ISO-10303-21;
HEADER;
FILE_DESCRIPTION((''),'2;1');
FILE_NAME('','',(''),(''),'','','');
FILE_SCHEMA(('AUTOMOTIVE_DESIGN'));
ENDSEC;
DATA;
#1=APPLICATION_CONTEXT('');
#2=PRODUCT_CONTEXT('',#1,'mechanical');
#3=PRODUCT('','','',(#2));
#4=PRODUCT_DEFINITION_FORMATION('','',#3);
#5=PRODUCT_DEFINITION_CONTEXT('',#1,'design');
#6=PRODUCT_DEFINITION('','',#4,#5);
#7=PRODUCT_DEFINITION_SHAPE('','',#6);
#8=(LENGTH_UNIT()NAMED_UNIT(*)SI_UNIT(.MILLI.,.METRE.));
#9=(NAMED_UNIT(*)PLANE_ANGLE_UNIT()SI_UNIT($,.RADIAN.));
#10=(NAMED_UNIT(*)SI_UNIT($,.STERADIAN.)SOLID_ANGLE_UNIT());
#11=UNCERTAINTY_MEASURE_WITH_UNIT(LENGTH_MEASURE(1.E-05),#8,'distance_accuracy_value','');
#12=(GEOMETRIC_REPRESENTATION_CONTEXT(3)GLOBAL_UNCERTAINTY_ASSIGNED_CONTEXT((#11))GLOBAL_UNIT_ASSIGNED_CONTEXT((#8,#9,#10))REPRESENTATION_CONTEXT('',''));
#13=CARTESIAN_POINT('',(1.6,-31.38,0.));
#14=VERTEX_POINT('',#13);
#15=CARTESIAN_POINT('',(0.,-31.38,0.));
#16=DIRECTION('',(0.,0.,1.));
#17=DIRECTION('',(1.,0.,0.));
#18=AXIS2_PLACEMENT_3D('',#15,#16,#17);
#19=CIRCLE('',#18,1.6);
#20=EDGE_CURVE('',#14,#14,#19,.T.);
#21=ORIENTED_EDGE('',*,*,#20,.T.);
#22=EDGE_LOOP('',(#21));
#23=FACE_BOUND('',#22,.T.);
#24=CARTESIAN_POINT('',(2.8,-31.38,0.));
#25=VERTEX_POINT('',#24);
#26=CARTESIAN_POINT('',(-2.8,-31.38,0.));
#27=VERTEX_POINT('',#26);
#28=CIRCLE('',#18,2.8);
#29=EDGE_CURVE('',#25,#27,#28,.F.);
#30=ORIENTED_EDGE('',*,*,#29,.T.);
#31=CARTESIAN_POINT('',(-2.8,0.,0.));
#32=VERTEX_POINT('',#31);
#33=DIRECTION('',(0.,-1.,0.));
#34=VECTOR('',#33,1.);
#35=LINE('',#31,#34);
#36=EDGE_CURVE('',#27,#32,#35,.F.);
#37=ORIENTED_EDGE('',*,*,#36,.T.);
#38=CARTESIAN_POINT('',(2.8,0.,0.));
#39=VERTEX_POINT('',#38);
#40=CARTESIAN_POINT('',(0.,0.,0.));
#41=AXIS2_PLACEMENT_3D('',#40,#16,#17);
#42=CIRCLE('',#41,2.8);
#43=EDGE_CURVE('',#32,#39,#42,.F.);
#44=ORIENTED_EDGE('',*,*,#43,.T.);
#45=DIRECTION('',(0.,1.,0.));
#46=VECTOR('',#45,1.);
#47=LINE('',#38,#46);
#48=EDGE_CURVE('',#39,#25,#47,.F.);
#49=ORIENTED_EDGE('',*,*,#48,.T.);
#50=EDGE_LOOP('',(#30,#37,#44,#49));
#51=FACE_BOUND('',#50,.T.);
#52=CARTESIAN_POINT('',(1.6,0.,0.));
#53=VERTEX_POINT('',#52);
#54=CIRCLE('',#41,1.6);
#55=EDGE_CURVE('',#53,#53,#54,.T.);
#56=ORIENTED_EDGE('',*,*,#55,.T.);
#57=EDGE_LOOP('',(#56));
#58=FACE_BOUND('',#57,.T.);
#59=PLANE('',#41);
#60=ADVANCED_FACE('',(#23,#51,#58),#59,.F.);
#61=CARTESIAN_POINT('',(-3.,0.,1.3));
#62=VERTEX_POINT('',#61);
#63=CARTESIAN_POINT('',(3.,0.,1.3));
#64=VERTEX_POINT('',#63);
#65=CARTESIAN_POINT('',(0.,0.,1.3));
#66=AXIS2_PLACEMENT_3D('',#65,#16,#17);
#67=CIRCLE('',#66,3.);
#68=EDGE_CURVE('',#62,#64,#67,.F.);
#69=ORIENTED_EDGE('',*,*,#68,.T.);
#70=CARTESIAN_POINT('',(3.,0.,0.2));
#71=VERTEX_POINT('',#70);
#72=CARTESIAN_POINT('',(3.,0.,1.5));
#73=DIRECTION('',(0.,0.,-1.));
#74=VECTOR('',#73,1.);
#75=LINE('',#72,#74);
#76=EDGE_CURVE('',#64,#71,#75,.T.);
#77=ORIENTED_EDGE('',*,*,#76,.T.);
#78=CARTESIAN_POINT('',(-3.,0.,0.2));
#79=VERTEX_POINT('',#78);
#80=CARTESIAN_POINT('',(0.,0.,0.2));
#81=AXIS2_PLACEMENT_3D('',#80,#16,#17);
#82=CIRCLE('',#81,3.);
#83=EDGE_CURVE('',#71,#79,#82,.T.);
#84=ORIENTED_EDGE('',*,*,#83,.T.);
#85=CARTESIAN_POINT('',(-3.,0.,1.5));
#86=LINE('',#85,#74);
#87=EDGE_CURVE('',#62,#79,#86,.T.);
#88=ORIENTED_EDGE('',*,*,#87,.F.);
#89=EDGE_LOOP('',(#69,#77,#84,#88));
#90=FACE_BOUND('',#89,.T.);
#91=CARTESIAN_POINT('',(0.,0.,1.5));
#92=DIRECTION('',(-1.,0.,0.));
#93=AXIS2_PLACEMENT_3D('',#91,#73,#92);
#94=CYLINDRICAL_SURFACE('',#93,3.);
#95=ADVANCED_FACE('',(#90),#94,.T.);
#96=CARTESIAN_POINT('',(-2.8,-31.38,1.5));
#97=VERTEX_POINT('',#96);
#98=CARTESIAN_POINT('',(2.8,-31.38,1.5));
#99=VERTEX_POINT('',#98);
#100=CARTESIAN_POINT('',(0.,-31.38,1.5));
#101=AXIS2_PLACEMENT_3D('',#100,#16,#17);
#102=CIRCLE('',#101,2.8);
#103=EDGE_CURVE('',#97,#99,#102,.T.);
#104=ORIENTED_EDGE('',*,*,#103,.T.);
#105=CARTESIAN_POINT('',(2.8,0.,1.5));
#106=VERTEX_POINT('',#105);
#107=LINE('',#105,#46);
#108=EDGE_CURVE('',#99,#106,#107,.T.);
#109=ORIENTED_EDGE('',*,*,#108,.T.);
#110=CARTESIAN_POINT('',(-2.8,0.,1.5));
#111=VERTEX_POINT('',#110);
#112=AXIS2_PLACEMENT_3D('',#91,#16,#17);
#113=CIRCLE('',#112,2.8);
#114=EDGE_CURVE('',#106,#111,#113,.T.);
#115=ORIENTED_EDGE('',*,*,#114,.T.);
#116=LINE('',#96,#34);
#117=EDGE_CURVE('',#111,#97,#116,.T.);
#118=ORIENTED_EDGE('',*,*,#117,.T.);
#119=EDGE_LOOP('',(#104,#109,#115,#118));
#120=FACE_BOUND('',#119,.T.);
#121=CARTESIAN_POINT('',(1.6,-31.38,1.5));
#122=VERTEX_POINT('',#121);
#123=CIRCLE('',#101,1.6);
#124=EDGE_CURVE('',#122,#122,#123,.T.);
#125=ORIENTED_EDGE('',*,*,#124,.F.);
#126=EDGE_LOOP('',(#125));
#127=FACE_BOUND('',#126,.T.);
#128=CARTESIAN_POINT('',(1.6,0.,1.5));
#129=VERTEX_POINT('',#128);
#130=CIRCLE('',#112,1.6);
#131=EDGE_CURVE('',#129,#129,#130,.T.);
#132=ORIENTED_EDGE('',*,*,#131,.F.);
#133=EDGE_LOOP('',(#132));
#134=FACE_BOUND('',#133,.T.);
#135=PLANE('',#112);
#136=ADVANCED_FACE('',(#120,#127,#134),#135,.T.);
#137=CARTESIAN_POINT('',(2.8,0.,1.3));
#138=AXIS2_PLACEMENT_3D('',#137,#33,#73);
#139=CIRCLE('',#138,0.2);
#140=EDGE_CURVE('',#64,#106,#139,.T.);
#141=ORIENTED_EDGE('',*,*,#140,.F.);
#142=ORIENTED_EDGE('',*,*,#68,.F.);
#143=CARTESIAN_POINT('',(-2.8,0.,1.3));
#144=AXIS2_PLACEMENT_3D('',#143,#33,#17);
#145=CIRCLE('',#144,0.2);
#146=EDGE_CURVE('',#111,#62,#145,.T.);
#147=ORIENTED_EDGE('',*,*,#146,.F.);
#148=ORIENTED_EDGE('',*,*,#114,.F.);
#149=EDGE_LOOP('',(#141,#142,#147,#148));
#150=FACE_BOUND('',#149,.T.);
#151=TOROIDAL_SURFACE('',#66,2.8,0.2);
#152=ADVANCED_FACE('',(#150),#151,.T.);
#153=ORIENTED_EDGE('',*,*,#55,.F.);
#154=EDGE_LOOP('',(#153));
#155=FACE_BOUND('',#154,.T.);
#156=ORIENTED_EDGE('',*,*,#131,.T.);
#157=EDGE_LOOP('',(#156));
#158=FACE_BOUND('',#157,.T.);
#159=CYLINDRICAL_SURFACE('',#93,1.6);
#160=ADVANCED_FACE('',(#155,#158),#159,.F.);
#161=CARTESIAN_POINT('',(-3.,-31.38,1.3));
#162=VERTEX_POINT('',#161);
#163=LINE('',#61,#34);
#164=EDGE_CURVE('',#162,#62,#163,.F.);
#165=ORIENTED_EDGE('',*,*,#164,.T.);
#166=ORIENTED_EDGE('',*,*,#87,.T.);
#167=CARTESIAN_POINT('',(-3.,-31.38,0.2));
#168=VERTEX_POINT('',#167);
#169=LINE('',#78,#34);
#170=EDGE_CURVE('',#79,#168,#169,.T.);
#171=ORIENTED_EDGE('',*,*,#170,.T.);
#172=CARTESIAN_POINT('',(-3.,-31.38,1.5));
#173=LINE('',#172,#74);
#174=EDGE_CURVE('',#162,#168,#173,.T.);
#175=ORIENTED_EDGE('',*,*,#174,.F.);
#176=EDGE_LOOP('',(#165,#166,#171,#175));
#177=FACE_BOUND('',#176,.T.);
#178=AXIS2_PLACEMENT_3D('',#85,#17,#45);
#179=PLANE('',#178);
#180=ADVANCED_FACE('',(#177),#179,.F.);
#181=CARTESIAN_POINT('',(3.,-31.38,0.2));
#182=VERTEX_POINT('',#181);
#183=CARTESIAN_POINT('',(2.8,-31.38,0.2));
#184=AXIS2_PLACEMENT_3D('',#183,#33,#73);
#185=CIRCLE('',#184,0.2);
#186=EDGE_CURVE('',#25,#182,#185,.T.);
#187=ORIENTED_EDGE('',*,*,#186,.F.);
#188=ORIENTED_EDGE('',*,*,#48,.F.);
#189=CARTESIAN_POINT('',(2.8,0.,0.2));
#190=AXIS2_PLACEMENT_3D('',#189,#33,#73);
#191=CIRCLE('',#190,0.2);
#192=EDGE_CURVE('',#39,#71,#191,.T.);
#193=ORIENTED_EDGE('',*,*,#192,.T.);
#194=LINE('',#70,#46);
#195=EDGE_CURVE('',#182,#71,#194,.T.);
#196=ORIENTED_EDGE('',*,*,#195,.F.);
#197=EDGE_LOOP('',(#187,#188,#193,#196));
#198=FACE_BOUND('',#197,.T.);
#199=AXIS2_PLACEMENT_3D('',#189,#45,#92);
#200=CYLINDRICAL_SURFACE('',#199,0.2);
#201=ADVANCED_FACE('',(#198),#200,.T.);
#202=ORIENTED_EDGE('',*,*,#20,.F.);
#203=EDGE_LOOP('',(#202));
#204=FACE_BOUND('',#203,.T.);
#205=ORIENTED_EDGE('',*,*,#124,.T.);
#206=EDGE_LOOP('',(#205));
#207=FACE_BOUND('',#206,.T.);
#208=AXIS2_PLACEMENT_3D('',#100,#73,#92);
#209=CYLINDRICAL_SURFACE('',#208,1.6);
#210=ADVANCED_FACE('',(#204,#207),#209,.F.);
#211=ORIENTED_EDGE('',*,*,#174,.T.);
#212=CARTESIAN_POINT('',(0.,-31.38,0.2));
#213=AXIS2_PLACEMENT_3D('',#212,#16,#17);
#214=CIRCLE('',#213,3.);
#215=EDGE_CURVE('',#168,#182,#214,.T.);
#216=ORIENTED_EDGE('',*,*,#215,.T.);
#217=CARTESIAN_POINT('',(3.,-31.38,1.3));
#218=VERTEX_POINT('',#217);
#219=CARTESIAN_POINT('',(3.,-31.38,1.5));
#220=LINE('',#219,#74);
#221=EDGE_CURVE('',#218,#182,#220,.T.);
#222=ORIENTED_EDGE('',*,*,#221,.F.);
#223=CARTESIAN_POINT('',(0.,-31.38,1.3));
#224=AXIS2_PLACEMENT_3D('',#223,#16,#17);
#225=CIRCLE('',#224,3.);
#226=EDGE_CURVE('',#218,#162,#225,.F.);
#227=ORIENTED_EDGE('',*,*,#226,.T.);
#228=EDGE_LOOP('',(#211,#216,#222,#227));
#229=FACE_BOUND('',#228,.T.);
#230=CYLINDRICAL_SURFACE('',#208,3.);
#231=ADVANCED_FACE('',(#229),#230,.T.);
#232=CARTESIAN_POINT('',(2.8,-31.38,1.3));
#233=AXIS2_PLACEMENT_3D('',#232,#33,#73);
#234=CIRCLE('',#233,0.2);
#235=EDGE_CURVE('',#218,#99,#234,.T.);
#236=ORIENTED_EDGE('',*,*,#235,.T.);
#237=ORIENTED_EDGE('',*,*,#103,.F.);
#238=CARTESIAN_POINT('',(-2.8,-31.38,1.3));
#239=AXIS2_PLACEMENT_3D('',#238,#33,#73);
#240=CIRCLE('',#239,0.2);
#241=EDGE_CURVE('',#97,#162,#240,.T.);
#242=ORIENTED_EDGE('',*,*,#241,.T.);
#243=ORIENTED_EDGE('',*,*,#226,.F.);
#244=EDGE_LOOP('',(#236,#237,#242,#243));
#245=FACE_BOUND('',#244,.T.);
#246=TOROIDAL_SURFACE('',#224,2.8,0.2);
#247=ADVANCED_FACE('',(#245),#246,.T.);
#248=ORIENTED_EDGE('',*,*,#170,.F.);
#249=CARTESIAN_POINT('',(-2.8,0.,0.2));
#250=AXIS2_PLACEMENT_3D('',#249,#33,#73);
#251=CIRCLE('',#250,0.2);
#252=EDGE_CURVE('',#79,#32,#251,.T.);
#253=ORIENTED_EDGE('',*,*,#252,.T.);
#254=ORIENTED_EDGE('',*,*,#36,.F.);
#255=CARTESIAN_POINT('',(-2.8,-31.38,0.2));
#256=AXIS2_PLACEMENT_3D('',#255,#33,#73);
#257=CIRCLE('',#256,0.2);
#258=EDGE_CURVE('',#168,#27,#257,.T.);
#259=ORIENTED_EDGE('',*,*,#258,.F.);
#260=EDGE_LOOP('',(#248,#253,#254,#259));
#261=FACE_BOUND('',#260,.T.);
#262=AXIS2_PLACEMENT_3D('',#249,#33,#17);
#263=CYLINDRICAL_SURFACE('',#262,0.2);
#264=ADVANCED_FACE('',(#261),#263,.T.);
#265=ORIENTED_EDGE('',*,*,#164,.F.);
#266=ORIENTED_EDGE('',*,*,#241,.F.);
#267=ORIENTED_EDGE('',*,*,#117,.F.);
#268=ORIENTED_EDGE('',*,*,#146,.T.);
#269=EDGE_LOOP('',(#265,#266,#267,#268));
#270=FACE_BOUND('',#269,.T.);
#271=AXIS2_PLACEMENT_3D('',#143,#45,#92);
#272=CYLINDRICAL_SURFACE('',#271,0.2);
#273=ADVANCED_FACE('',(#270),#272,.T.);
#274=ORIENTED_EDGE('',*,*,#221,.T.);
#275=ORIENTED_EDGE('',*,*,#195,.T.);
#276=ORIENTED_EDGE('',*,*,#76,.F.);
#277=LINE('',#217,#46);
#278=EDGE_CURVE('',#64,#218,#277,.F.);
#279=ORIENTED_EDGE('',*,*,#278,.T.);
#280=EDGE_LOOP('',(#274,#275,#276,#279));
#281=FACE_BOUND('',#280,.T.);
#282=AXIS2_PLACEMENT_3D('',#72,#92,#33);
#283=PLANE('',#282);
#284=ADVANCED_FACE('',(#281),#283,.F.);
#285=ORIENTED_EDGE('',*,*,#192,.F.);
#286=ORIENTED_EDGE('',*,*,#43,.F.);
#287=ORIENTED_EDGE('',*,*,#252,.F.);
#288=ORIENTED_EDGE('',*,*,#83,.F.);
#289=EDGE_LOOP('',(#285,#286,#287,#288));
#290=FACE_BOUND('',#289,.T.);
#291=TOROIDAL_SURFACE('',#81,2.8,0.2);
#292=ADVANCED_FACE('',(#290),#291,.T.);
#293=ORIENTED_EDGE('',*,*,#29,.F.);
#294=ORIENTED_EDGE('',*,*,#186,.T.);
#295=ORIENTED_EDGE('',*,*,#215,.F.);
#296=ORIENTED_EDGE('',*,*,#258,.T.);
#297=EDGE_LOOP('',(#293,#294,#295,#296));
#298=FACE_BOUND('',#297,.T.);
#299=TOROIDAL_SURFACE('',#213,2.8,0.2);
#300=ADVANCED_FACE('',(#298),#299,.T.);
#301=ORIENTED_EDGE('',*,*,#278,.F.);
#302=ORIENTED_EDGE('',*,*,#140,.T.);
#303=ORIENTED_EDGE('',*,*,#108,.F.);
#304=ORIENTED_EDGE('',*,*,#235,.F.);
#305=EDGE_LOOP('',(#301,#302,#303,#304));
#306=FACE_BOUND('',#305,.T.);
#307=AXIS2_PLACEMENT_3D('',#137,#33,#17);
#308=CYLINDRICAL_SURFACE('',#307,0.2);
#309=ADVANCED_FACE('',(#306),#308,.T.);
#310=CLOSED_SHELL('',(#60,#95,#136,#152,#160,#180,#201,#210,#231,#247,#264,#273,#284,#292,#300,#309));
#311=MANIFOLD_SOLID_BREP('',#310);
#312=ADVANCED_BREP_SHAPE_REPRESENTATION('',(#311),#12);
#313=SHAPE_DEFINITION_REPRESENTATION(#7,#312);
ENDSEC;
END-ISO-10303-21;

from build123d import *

# Parameters (mm, degrees)
SKETCH1_R           = 1.6
BOSS_EXTRUDE1_DEPTH = 1.5
FILLET1_R           = 0.2


with BuildPart() as part:
    # Sketch1 → Boss-Extrude1 (new body)
    with BuildSketch(Plane.XY):
        with BuildLine():
            Line((-3, 0), (-3, -31.38))
            ThreePointArc((-3, -31.38), (0, -34.38), (3, -31.38))
            Line((3, -31.38), (3, 0))
            ThreePointArc((3, 0), (0, 3), (-3, 0))
        make_face()
        Circle(SKETCH1_R, mode=Mode.SUBTRACT)
        with Locations((0, -31.38)):
            Circle(SKETCH1_R, mode=Mode.SUBTRACT)
    extrude(amount=BOSS_EXTRUDE1_DEPTH)

    # Fillet1
    fillet1_edges = [part.edges().sort_by_distance(p)[0] for p in [
        (0, -34.38, 1.5),
        (3, -15.69, 1.5),
        (0, 3, 1.5),
        (3, -15.69, 0),
        (0, -34.38, 0),
        (-3, -15.69, 0),
        (0, 3, 0),
        (-3, -15.69, 1.5),
    ]]
    fillet(fillet1_edges, radius=FILLET1_R)


solid = part.part
